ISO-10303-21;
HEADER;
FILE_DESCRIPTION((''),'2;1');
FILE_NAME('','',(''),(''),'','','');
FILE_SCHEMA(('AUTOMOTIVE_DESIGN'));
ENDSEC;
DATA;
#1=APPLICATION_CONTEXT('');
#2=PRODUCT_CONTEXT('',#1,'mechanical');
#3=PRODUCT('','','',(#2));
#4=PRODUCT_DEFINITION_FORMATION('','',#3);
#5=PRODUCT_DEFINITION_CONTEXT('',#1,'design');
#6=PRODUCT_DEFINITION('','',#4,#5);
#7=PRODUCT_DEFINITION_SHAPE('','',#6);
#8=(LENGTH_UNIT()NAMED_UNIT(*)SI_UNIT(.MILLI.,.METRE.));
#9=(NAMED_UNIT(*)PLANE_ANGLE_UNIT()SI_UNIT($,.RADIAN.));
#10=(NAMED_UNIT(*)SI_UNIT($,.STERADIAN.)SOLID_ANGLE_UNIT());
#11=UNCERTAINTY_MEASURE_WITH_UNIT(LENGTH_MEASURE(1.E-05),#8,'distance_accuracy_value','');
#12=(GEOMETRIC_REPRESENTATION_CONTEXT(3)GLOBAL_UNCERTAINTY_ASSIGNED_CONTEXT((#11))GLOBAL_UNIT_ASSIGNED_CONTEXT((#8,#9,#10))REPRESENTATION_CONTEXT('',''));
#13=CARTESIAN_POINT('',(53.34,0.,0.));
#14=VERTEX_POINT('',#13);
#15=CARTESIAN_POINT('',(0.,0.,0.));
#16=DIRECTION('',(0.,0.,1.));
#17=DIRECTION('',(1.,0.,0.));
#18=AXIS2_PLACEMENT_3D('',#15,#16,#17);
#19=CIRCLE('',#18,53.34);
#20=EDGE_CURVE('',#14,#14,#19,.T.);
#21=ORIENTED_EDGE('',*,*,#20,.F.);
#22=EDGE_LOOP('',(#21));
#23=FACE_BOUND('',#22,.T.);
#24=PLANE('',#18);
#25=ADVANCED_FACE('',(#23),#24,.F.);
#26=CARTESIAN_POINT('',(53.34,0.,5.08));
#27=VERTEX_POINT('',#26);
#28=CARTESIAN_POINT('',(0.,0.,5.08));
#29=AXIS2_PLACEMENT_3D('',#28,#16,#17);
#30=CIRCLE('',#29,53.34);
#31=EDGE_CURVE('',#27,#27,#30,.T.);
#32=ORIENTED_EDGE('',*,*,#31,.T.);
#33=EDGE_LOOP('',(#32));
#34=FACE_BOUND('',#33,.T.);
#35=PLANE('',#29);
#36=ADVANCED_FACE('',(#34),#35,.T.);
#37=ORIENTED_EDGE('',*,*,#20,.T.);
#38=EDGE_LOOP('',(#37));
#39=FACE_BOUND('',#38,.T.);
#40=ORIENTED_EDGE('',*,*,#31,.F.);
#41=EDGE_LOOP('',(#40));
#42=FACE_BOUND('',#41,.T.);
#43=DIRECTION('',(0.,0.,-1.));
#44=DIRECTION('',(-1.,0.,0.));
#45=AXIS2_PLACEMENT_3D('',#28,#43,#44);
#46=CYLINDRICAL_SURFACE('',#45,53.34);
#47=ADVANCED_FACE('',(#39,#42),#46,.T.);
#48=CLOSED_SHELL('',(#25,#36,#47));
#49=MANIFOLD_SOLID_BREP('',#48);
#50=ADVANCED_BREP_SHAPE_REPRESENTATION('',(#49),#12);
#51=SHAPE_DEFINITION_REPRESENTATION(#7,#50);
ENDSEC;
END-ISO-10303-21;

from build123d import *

# Parameters (mm, degrees)
SKETCH1_R           = 53.34
BOSS_EXTRUDE1_DEPTH = 5.08


with BuildPart() as part:
    # Sketch1 → Boss-Extrude1 (new body)
    with BuildSketch(Plane.XY):
        Circle(SKETCH1_R)
    extrude(amount=BOSS_EXTRUDE1_DEPTH)


solid = part.part
